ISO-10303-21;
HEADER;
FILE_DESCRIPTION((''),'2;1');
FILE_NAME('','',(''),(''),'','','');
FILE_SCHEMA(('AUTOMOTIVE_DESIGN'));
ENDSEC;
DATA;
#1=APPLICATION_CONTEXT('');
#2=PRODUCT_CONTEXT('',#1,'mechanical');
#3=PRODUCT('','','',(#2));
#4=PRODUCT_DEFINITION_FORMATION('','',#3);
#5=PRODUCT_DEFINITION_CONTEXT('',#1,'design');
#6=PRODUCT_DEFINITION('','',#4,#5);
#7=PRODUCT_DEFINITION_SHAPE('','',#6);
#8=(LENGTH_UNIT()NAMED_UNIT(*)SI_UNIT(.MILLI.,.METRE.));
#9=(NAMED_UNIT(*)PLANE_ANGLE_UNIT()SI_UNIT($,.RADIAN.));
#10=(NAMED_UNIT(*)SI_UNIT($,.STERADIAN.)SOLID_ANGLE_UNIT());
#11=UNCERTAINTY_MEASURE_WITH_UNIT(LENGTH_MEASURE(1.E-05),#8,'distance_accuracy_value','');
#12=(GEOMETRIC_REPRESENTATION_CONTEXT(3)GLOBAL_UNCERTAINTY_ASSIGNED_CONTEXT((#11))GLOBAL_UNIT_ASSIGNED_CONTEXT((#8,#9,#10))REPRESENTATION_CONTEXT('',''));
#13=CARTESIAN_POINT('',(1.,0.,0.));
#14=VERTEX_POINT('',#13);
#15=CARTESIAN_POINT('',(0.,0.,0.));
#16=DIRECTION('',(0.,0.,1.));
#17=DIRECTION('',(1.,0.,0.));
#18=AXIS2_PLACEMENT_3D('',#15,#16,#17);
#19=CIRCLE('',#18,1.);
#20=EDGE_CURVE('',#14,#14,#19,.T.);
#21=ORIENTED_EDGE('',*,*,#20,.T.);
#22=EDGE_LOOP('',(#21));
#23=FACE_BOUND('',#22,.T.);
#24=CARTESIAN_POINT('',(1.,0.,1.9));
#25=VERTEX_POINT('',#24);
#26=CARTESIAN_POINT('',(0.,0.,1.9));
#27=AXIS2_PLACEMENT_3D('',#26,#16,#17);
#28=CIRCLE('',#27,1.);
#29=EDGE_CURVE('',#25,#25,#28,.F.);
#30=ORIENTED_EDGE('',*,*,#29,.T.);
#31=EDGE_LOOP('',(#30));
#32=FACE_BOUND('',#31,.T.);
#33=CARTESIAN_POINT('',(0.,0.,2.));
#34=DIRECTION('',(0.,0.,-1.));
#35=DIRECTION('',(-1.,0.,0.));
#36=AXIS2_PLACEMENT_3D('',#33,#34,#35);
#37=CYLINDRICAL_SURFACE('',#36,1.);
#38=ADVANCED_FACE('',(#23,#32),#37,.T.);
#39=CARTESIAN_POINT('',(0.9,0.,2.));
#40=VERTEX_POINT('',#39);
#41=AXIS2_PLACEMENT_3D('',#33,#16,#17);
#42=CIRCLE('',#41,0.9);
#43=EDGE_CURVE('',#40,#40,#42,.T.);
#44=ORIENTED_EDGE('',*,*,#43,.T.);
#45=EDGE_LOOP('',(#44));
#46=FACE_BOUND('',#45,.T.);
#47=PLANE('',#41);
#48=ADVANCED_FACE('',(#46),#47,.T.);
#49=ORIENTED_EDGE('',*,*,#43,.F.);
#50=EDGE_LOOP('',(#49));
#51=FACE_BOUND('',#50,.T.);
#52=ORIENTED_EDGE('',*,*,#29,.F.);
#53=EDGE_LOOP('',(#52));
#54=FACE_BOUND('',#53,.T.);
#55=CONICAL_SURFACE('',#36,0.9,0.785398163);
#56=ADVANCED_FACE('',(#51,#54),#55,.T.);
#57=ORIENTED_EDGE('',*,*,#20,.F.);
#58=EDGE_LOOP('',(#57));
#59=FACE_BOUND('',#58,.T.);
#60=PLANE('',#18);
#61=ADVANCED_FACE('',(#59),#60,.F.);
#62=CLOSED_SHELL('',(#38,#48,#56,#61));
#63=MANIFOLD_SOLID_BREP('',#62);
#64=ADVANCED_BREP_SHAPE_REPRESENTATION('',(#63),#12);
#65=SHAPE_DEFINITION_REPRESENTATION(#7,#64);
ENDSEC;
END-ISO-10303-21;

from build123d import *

# Parameters (mm, degrees)
COMPONENT_OUTLINE_R = 1
EXTRUDE1_DEPTH      = 2
CHAMFER1_SIZE       = 0.1


with BuildPart() as part:
    # COMPONENT_OUTLINE → Extrude1 (new body)
    with BuildSketch(Plane.XY):
        Circle(COMPONENT_OUTLINE_R)
    extrude(amount=EXTRUDE1_DEPTH)

    # Chamfer1
    chamfer1_edges = [part.edges().sort_by_distance(p)[0] for p in [
        (-1, 0, 2),
    ]]
    chamfer(chamfer1_edges, length=CHAMFER1_SIZE)


solid = part.part
